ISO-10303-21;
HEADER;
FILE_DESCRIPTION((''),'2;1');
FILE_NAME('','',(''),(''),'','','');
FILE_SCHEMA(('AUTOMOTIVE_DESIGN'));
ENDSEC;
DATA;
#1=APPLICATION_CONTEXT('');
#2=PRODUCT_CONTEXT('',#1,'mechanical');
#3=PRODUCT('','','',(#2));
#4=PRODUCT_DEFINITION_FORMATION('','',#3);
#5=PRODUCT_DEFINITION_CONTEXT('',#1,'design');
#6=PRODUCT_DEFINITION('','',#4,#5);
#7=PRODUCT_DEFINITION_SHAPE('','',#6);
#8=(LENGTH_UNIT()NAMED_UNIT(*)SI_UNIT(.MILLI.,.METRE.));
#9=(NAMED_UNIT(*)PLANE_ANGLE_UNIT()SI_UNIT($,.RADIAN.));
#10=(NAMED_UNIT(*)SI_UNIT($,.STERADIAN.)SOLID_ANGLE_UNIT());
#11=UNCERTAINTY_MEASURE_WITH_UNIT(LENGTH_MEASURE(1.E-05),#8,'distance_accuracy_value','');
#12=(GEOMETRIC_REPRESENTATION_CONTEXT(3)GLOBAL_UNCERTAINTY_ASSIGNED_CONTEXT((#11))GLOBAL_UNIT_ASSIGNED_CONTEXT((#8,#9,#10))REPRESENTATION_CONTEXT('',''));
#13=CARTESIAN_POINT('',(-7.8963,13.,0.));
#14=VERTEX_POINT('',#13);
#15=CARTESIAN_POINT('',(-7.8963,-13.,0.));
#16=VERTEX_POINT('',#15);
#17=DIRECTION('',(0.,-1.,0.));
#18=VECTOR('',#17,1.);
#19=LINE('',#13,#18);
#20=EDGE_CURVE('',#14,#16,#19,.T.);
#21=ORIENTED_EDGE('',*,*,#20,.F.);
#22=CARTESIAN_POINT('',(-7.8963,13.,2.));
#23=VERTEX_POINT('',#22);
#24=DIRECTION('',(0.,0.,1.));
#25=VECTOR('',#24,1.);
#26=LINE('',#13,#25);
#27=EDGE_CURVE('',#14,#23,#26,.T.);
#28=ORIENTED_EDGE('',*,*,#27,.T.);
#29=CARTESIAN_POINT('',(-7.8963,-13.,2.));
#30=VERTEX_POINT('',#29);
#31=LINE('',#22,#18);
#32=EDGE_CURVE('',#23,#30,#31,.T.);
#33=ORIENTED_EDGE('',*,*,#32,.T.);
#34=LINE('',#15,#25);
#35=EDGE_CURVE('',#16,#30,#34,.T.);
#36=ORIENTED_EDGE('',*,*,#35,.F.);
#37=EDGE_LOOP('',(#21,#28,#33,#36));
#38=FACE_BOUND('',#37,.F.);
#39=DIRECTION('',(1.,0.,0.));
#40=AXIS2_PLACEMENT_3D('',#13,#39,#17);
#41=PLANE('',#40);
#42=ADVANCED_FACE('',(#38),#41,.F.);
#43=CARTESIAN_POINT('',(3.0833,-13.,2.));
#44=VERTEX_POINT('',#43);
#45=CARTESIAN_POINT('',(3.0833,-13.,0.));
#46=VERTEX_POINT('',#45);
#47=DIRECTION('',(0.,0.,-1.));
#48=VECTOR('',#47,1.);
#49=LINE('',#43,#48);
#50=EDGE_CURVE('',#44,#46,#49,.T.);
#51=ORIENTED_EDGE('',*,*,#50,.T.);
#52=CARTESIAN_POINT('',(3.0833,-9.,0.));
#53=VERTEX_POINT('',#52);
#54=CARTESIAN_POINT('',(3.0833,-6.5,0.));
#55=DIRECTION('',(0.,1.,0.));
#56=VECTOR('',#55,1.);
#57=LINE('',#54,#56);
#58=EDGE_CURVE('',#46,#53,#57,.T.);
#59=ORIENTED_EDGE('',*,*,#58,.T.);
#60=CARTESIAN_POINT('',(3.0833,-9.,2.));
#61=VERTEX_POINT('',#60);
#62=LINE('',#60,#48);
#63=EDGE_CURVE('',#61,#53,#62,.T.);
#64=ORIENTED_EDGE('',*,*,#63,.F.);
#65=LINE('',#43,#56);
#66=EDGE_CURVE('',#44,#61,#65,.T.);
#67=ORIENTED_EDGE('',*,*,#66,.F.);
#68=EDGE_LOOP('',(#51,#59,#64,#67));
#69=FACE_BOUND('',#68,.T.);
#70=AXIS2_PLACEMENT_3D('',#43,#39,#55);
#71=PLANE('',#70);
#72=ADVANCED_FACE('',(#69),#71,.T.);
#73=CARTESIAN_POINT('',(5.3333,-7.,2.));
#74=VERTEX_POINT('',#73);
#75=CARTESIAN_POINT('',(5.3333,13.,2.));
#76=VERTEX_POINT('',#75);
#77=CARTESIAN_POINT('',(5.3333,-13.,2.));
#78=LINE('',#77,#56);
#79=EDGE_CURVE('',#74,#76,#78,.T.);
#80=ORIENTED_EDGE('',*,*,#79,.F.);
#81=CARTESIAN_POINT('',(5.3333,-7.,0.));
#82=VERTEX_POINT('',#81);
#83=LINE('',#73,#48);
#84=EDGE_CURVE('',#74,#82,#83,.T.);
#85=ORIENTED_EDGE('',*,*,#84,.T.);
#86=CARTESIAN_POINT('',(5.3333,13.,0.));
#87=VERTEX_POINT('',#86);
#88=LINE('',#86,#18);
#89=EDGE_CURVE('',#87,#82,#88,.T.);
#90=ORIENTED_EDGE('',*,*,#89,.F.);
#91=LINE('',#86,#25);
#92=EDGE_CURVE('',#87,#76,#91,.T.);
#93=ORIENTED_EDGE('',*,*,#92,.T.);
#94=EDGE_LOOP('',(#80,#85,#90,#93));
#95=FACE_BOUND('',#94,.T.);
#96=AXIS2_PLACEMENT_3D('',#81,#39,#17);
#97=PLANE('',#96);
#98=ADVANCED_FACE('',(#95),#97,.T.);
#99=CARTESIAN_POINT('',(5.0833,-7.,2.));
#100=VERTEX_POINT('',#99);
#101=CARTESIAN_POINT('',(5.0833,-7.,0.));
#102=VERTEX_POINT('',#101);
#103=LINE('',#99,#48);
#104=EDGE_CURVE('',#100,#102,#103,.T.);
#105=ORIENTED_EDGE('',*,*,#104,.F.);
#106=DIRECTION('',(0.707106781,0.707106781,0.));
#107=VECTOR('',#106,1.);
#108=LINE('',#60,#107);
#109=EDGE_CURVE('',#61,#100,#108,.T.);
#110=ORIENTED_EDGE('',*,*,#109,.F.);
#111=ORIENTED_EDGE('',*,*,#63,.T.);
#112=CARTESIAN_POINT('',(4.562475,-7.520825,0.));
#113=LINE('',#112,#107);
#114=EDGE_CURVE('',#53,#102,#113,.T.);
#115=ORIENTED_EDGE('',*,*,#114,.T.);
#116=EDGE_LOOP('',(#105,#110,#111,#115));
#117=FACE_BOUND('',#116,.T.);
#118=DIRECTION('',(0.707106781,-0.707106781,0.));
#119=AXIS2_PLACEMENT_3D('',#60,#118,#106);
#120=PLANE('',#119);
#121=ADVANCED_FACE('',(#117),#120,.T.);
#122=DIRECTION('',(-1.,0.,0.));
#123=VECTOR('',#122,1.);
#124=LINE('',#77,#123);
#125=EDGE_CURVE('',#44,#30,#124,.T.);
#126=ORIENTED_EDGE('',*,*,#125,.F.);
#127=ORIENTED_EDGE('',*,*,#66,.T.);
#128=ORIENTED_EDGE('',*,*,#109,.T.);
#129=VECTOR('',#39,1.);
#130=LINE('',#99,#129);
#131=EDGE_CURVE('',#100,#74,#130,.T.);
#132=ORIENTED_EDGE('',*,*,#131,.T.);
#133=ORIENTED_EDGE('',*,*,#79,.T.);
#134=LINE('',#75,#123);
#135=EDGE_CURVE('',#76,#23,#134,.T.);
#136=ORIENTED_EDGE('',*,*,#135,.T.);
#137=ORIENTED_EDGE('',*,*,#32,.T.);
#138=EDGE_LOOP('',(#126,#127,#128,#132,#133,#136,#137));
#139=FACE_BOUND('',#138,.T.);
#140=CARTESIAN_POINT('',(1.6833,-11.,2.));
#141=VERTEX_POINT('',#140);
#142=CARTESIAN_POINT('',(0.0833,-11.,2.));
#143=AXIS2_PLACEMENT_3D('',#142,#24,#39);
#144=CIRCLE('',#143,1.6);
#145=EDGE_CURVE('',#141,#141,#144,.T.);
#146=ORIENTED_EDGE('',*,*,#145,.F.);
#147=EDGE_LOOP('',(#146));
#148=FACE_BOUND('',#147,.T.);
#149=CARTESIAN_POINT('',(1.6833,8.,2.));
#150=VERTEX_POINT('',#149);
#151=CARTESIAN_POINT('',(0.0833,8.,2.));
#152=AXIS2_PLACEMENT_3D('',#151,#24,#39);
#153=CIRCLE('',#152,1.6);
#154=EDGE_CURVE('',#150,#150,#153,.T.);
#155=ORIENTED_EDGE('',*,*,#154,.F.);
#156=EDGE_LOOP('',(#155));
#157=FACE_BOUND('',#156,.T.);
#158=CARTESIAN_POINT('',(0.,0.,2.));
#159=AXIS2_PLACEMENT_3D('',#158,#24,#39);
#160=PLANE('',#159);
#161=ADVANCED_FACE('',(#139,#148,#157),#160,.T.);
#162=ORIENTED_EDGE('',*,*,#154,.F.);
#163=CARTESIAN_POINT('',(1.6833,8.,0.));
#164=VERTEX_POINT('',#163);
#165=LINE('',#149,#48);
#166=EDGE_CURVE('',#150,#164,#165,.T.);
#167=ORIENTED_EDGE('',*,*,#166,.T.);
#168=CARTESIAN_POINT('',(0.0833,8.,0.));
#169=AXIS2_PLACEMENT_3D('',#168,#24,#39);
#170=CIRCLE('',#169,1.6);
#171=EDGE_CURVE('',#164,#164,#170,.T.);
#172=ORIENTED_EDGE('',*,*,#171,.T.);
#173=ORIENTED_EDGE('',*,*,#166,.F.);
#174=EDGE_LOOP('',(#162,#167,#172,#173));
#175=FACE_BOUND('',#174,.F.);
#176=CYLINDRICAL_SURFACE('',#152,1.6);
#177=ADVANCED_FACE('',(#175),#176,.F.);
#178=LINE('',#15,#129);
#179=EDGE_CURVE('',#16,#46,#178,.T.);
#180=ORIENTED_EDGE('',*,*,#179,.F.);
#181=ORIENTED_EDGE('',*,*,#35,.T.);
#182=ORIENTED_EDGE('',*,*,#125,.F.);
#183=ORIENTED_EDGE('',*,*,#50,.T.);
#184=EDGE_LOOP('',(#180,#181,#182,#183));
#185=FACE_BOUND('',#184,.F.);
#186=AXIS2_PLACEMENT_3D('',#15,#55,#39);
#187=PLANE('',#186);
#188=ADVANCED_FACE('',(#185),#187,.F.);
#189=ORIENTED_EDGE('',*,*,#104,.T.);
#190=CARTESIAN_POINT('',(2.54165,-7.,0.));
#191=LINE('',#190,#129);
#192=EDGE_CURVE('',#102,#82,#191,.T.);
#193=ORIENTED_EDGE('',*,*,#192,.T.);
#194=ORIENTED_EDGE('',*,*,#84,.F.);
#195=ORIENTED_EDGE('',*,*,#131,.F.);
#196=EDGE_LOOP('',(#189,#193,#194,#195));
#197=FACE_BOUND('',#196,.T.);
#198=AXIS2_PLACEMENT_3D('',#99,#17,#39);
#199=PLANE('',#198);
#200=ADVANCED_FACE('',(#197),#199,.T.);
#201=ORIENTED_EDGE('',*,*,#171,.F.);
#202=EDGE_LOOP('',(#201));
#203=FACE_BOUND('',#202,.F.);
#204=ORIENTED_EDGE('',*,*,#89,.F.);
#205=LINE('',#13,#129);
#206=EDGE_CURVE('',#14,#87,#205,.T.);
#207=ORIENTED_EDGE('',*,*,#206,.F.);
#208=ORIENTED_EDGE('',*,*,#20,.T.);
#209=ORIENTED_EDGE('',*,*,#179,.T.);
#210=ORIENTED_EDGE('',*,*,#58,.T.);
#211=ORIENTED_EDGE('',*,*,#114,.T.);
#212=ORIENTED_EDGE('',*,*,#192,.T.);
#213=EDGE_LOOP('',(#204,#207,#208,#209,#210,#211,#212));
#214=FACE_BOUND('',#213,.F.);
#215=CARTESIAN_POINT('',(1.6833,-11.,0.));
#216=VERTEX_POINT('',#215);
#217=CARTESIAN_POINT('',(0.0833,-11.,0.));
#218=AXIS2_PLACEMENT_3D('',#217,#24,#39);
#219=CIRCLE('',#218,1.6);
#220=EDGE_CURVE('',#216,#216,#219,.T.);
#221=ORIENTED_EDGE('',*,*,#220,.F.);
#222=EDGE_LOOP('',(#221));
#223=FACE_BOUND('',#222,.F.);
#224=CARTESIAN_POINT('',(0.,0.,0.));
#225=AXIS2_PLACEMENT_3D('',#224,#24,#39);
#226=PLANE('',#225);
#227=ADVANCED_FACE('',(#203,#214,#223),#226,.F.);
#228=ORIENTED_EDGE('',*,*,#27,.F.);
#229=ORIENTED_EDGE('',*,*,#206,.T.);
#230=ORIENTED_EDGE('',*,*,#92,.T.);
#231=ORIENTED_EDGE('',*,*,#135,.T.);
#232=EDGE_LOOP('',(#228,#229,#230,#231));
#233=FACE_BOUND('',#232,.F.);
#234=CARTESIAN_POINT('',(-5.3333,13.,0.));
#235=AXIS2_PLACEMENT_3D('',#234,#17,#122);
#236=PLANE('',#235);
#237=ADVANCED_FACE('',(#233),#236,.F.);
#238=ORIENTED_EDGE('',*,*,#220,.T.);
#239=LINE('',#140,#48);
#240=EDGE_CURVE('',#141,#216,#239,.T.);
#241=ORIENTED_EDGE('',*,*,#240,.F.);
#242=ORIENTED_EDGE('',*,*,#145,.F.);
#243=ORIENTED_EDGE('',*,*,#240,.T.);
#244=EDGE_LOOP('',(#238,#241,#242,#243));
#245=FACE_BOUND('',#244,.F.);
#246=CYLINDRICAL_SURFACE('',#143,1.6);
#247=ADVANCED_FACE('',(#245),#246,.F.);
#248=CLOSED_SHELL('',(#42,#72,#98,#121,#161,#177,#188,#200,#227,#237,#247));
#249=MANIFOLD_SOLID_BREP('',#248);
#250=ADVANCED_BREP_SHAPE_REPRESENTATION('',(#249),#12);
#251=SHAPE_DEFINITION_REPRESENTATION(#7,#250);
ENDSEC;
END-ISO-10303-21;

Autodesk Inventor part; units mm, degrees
ref_plane "YZ Plane" through (0, 0, 0) normal (1, 0, 0) x (0, 1, 0)
ref_plane "XZ Plane" through (0, 0, 0) normal (0, 1, 0) x (-1, 0, 0)
ref_plane "XY Plane" through (0, 0, 0) normal (0, 0, 1) x (1, 0, 0)
ref_plane "Arbeitsebene1" through (0, 0, 0) normal (0, 0, 1) x (1, 0, 0)
sketch "Skizze1" plane through (0, 0, 0) normal (0, 0, 1) x (1, 0, 0)
  line L0 (-5.4759, 1.23) -> (2.5633, 4.8092) projected
  line L1 (2.5633, 4.8092) -> (5.3333, -1.4124) projected
  line L2 (5.3333, -1.4124) -> (5.3333, 13) projected
  circle A0 centre (0.0833, 8) radius 1.65
  circle A1 centre (0.0833, -11) radius 1.65
  line L3 (-5.3333, 13) -> (5.3333, 13)
  line L4 (5.3333, 13) -> (5.3333, -13)
  line L5 (5.3333, -13) -> (-5.3333, -13)
  line L6 (-5.3333, -13) -> (-5.3333, 13)
  line L7 (5.3333, -3.5903) -> (-1.8966, -6.8092) projected
  line L8 (-1.8966, -6.8092) -> (-5.4759, 1.23) projected
  line L9 (5.3333, 13) -> (-7.8963, 13) projected
  line L10 (-7.8963, 13) -> (-7.8963, -13) projected
  line L11 (5.3333, -7) -> (5.3333, -3.5903) projected
  line L12 (-7.8963, -13) -> (3.0833, -13) projected
  line L13 (3.0833, -13) -> (3.0833, -9) projected
  line L14 (5.0833, -7) -> (3.0833, -9) projected
  line L15 (5.0833, -7) -> (5.3333, -7) projected
  circle A2 centre (0.0833, -11) radius 1.6 projected
  circle A3 centre (0.0833, 8) radius 1.6 projected
  point P0 (0, 0)
  point P1 (5.3333, -1.4124)
  point P2 (-5.3333, 1.2934)
  point P3 (-2.9167, -13)
  point P4 (-5.3333, 0.9097)
  dimension "d0" = 3.3
  dimension "d1" = 3.3
extrude "Extrusion1" add sketch "Skizze1" along normal blind 2 contours L8 L6 L12 L10 L9 L0 | L0 L6 L8 | L6 L3 L2 L1 L0 | L0 L1 L4 L7 L8 L6 | L8 L7 L4 L15 L14 L13 L5 L6 | L13 L14 L15 L4 L5 | A0 | A1 | A2 | A3
sketch "Skizze2" plane through (0, 0, 2) normal (0, 0, 1) x (1, 0, 0)
  line L0 (3.0833, -13) -> (3.0833, -9) projected
  line L1 (-2.9167, -13) -> (3.0833, -13) projected
  line L2 (-2.9167, -15) -> (-2.9167, -13) projected
  line L3 (5.0833, -7) -> (5.3333, -7) projected
  line L4 (5.3333, -7) -> (5.3333, 13) projected
  line L5 (3.0833, -9) -> (5.0833, -7) projected
  circle A0 centre (0.0833, 8) radius 1.6 projected
  circle A1 centre (0.3333, -1) radius 4.1 projected
  circle A2 centre (0.0833, -11) radius 1.6 projected
  line L6 (5.3333, -13) -> (5.3333, 13) projected
  line L7 (-7.8963, -13) -> (5.3333, -13) projected
  line L8 (-7.8963, -15) -> (-2.9167, -15) projected
  line L9 (-7.8963, 13) -> (-7.8963, -15) projected
  line L10 (5.3333, 13) -> (-7.8963, 13) projected
  line L11 (5.3333, 13) -> (-7.8963, 13) projected
  line L12 (-7.8963, 13) -> (-7.8963, -13) projected
  point P0 (0, 0)
  point P1 (-5.3333, 13)
  point P2 (-5.3333, 13)
extrude "Extrusion2" cut sketch "Skizze2" against normal blind 10 contours L0 L5 L3 L6 L7 | A0 | A2
properties part number "30_Linear_Stage_NEMA11_baseholder_bayonetmount_objective_autofocus_kes400_camerabracket_underAnAngle_counterplate"
